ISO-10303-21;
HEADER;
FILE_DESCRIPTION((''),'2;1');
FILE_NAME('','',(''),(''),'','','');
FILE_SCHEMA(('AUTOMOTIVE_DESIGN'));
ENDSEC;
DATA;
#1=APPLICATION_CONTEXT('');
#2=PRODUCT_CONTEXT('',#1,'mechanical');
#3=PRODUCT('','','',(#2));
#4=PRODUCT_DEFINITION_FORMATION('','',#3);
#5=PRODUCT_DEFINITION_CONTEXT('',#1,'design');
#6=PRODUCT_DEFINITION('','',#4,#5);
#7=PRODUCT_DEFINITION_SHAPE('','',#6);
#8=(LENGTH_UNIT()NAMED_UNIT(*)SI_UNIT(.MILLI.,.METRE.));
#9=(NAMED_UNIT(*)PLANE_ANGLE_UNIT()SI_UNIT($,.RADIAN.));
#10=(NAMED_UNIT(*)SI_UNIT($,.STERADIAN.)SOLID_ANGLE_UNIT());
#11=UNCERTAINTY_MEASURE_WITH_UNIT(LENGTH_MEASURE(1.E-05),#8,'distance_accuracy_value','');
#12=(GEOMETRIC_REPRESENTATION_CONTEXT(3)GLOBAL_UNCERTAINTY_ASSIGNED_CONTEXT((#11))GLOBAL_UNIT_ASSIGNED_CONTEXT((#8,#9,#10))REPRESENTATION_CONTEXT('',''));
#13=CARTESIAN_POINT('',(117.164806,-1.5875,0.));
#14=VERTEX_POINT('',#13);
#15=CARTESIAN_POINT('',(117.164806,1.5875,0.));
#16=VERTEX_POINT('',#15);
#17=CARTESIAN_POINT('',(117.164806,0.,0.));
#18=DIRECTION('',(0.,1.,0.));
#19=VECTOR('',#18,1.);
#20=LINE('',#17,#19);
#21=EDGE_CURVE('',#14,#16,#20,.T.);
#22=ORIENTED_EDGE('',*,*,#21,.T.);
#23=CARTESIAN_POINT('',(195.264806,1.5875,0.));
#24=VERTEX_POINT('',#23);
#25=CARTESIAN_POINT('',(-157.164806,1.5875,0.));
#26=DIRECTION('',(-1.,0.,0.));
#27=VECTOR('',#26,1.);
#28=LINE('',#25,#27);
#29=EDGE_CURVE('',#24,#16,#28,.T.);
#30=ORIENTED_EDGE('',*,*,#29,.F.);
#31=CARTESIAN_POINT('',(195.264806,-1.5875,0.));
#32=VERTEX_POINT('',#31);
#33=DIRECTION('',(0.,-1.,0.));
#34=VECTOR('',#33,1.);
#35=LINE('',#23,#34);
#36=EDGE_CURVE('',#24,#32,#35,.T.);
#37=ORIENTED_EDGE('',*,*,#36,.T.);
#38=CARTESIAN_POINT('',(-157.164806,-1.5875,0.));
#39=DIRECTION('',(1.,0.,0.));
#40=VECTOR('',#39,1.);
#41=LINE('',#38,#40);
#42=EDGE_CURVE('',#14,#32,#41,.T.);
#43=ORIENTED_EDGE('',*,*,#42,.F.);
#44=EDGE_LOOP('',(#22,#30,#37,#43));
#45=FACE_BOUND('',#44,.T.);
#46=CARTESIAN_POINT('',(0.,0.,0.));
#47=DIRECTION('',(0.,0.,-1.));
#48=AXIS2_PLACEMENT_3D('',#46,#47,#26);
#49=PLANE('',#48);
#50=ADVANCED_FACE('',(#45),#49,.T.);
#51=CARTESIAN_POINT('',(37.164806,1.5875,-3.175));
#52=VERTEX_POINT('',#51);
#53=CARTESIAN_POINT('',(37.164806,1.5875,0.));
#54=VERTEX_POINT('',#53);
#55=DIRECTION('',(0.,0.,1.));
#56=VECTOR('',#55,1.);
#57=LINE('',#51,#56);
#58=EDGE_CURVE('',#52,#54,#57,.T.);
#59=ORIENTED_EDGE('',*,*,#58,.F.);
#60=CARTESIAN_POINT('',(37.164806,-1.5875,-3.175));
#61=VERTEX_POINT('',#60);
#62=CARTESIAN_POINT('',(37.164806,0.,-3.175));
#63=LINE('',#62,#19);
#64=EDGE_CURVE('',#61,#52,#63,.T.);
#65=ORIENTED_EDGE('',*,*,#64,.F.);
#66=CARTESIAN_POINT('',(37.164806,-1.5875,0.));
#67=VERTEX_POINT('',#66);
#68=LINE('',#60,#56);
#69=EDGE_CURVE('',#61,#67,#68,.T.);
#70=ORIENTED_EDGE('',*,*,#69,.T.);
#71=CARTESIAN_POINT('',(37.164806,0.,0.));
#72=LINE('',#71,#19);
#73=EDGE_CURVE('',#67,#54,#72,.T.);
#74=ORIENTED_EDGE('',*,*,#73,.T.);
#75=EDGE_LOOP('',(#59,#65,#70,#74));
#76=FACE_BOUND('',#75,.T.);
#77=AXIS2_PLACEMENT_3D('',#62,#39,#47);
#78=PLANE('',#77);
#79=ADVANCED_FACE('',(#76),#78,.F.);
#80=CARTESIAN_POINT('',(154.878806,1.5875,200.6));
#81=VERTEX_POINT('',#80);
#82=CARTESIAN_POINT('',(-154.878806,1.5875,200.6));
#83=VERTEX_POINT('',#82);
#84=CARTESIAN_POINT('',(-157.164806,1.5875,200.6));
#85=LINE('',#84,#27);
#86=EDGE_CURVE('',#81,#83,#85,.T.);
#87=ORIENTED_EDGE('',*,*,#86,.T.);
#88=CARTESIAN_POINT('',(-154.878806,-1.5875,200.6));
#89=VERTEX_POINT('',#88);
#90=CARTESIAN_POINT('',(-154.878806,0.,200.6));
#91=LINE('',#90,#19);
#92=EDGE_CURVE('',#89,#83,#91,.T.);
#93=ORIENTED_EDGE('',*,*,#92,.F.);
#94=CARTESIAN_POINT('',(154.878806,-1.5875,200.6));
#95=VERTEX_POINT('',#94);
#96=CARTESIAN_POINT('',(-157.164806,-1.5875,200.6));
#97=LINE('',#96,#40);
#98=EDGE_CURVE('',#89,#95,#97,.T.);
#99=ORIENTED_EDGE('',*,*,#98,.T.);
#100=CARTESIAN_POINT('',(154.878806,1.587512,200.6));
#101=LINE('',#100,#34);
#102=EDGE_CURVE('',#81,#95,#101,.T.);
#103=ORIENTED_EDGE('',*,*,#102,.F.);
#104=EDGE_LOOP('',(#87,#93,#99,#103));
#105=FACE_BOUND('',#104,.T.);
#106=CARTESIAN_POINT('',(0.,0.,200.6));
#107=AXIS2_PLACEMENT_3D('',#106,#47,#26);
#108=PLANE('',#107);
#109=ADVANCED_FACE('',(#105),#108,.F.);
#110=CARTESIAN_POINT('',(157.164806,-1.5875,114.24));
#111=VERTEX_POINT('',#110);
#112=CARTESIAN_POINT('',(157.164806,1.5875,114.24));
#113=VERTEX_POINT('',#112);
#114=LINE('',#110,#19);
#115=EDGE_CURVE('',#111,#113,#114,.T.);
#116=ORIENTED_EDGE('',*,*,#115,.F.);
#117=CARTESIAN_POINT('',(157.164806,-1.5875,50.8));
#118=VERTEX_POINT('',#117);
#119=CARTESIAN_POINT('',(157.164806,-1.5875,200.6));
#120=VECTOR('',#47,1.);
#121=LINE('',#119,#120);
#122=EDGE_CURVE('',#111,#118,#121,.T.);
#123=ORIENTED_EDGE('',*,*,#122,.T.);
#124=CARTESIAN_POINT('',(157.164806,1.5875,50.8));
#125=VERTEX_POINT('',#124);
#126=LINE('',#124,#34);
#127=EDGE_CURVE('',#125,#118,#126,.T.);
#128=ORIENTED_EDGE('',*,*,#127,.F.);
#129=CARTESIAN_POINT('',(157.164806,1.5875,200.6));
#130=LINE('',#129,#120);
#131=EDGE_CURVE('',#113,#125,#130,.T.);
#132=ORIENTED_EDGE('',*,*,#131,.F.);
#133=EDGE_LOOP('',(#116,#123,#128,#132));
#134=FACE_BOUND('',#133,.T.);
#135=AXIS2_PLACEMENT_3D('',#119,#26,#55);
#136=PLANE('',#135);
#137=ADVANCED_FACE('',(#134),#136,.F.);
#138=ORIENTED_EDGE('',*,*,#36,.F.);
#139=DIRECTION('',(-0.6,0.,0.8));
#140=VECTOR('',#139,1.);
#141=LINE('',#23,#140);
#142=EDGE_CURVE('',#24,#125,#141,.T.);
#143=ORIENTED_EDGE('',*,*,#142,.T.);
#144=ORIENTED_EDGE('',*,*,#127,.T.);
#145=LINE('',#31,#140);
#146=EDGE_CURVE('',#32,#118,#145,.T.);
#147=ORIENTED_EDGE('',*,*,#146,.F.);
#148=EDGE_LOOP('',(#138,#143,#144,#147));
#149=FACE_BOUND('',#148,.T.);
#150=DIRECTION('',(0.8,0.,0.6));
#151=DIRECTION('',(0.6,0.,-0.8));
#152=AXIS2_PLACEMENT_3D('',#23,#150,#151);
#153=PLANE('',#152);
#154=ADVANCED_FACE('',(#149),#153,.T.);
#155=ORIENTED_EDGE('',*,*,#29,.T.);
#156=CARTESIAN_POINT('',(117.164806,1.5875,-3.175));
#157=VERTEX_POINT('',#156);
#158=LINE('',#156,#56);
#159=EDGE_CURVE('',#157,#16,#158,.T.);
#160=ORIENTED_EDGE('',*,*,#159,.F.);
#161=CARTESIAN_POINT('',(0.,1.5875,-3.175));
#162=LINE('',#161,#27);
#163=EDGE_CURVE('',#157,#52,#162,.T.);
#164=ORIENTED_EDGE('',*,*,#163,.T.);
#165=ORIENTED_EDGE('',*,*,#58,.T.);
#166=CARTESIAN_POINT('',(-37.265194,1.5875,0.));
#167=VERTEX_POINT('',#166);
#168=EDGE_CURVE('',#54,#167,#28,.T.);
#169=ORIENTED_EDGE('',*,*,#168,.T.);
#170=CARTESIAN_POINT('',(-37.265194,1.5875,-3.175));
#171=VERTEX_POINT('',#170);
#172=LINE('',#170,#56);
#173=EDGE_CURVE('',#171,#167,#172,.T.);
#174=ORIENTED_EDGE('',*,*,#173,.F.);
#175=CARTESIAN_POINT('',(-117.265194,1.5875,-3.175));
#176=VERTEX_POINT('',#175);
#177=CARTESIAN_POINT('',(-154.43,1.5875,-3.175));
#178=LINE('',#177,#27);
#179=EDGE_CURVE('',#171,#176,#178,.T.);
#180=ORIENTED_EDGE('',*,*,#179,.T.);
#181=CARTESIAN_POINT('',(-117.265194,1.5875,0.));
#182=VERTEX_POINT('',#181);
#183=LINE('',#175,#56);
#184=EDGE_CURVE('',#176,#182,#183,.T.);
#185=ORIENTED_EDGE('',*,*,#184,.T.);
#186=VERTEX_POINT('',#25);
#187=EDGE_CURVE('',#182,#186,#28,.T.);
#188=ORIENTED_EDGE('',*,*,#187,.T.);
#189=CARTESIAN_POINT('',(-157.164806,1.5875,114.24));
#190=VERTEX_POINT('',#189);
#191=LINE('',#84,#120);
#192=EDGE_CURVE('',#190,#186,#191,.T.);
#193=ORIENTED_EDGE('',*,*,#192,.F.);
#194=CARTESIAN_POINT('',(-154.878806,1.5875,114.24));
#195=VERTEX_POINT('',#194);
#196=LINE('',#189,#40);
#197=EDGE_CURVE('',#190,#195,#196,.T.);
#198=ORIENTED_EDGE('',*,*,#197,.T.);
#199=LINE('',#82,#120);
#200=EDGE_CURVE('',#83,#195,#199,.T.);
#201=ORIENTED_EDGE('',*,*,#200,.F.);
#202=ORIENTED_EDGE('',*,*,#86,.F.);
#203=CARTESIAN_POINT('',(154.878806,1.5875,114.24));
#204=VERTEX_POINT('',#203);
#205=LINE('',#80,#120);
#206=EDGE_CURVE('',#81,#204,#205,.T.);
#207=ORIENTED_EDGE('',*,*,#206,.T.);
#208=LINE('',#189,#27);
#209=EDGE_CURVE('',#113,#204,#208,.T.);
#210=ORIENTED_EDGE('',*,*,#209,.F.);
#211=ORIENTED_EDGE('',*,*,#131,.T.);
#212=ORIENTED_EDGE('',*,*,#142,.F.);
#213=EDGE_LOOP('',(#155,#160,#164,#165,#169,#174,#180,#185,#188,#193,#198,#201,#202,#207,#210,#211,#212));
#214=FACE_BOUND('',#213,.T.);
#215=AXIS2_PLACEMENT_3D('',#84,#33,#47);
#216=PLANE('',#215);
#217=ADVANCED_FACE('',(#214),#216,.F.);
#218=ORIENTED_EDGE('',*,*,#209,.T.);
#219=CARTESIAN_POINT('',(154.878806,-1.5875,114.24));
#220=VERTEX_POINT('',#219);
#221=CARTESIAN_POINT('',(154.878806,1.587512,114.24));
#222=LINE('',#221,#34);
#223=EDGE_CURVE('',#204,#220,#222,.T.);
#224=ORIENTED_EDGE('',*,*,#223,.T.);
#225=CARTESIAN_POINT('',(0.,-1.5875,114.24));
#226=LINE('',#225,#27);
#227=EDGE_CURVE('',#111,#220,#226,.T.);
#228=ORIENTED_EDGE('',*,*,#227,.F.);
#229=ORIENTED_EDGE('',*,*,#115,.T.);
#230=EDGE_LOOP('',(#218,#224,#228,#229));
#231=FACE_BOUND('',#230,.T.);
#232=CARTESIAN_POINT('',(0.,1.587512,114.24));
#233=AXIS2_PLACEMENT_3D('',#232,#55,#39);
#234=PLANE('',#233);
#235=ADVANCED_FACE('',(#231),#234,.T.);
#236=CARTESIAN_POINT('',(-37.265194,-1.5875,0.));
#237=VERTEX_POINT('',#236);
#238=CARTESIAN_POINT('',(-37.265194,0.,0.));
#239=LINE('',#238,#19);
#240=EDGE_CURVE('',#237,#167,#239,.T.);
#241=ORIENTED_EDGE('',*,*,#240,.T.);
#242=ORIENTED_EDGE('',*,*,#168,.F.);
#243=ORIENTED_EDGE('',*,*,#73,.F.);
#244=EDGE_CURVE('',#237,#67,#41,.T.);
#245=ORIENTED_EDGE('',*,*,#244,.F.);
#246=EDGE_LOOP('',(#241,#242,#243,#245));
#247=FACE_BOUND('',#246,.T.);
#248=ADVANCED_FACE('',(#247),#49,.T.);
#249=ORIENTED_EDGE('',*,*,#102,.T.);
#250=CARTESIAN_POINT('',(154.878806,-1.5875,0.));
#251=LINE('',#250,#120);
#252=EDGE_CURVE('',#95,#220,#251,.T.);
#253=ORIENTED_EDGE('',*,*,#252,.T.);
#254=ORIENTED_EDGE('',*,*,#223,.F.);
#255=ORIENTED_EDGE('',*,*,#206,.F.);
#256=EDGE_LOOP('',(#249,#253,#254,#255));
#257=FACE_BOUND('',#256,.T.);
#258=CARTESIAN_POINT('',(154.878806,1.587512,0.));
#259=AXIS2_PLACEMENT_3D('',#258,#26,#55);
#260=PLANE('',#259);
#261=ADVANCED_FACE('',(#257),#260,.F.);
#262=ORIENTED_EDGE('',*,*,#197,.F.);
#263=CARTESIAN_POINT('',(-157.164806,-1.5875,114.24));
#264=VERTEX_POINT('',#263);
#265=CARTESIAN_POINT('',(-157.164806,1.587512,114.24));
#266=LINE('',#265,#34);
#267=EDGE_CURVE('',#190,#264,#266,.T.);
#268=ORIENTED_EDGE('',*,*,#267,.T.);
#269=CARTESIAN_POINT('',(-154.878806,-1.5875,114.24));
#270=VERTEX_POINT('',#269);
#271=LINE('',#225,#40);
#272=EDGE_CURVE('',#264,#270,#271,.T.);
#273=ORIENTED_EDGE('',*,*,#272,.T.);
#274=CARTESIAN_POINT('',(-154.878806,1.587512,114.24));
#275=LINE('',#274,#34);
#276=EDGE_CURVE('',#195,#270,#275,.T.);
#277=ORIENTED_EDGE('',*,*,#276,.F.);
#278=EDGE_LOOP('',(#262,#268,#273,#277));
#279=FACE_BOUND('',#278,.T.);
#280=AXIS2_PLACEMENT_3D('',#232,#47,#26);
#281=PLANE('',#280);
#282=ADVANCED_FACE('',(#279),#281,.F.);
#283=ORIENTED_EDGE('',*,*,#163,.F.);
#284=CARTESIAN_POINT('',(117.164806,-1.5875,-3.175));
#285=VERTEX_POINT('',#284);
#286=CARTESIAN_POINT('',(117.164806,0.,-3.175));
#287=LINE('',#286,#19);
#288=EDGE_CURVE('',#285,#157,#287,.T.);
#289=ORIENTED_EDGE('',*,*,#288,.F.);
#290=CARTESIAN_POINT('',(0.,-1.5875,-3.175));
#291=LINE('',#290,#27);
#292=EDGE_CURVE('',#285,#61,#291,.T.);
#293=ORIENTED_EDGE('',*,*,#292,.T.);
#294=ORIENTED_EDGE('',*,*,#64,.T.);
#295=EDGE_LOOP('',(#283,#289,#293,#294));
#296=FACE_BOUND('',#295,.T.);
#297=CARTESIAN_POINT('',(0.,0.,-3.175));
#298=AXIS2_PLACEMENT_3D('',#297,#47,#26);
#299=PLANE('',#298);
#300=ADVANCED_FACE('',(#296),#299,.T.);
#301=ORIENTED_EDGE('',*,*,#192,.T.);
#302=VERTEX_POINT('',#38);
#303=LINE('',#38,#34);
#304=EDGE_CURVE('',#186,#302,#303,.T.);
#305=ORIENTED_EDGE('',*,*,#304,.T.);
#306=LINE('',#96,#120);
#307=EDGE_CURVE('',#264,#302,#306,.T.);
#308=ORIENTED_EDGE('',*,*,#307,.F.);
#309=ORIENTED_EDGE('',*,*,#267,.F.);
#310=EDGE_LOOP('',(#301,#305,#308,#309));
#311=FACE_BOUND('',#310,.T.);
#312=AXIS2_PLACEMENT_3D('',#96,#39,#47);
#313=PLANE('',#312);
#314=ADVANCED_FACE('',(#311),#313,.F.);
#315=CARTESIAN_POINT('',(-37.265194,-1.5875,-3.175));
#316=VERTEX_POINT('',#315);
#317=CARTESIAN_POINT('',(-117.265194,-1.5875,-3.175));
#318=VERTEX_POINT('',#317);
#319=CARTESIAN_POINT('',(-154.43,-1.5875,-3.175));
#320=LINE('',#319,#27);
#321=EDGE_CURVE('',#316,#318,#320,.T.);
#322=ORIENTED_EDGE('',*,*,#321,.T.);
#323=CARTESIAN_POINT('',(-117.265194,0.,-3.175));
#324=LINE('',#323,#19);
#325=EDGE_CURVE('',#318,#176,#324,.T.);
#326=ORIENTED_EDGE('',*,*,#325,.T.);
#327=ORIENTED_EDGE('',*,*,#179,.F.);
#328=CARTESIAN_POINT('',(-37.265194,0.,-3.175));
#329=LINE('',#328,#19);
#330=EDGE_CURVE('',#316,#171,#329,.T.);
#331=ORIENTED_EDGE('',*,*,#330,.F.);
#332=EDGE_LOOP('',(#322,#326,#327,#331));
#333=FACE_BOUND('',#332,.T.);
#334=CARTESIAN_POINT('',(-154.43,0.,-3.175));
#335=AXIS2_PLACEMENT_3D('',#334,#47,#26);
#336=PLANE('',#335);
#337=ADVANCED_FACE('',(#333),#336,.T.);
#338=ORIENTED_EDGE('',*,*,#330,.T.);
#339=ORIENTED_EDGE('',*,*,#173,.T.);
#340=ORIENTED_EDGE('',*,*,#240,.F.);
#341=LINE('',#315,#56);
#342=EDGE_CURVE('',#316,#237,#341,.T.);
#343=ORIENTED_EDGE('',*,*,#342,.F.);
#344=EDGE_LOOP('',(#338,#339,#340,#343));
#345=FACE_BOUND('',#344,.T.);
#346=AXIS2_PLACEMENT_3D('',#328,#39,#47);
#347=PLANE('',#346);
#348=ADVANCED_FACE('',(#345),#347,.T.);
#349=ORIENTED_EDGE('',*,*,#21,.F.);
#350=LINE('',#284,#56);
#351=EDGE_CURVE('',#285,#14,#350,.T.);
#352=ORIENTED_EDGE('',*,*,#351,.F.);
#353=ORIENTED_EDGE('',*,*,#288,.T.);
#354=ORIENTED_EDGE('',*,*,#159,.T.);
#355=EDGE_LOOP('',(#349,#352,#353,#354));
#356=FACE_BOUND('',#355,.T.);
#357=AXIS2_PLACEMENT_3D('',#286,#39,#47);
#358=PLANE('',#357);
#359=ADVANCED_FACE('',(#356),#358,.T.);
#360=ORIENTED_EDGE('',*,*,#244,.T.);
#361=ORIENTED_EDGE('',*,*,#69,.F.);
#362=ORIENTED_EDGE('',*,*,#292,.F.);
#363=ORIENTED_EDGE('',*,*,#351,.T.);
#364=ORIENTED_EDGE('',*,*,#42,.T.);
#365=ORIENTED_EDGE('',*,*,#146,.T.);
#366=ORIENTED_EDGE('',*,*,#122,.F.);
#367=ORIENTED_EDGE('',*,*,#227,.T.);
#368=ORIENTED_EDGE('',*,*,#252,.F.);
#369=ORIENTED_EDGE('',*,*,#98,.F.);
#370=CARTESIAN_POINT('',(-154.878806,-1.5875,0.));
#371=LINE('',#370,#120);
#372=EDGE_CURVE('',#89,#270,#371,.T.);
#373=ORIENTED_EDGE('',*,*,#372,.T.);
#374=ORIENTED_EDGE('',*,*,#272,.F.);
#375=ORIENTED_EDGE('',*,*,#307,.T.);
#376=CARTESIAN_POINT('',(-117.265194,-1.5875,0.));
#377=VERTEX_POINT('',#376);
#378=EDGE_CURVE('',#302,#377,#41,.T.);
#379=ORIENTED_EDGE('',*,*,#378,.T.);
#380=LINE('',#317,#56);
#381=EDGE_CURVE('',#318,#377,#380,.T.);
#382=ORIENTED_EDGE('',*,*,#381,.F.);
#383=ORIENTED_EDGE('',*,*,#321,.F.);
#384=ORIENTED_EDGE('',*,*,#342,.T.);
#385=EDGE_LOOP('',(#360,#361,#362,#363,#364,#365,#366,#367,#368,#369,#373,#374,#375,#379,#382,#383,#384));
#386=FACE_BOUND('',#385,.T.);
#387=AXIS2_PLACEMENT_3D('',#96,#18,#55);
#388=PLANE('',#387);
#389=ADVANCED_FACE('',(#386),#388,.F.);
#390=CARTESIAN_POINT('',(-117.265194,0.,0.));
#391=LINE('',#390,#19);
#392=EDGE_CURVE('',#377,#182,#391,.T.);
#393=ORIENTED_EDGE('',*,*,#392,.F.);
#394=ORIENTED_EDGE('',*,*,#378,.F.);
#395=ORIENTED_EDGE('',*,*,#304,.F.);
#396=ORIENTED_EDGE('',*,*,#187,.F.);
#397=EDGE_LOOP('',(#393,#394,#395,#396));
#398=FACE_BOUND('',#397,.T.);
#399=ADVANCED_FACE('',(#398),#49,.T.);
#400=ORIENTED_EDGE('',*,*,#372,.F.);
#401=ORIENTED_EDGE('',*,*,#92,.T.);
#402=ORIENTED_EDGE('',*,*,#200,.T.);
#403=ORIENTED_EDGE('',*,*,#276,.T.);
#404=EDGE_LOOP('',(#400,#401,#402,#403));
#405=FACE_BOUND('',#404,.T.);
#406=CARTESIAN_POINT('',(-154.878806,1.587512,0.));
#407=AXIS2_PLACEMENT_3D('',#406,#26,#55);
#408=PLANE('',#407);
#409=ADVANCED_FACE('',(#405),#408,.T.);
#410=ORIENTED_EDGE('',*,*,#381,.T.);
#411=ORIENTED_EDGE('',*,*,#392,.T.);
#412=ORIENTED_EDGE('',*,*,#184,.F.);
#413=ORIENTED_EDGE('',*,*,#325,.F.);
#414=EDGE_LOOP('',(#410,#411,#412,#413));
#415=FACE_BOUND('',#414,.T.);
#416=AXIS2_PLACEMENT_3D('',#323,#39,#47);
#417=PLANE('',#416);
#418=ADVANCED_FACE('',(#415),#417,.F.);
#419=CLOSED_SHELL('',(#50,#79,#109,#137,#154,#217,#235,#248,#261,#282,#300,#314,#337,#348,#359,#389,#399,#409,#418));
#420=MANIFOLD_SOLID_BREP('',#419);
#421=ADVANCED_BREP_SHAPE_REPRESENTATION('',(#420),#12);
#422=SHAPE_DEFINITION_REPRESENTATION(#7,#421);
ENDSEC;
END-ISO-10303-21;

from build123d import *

# Parameters (mm, degrees)
SKETCH1_W           = 314.32961264
SKETCH1_H           = 3.175
BOSS_EXTRUDE1_DEPTH = 200.60000012
CUT_EXTRUDE2_START  = -3.175
SKETCH5_W           = 2.286
SKETCH5_H           = 86.36
CUT_EXTRUDE2_DEPTH  = 259.030286425
SKETCH3_W           = 80
SKETCH3_H           = 3.175
BOSS_EXTRUDE2_DEPTH = 3.175
LPATTERN2_COUNT     = 2
LPATTERN2_PITCH     = 154.43
BOSS_EXTRUDE3_DEPTH = 3.175


with BuildPart() as part:
    # Sketch1 → Boss-Extrude1 (new body)
    with BuildSketch(Plane.XY):
        Rectangle(SKETCH1_W, SKETCH1_H)
    extrude(amount=BOSS_EXTRUDE1_DEPTH)

    # Sketch5 → Cut-Extrude2 (cut)
    with BuildSketch(Plane(origin=(0, 1.5875, 0), x_dir=(1, 0, 0), z_dir=(0, 1, 0)).offset(CUT_EXTRUDE2_START)):
        with Locations((-156.02180632, -157.42000012)):
            Rectangle(SKETCH5_W, SKETCH5_H)
    cut_extrude2 = extrude(amount=CUT_EXTRUDE2_DEPTH, mode=Mode.SUBTRACT)

    # Mirror1: Cut-Extrude2 across plane
    add(cut_extrude2.mirror(Plane(origin=(0, 0, 0), x_dir=(0, 0, 1), z_dir=(1, 0, 0))), mode=Mode.SUBTRACT)

    # Sketch3 → Boss-Extrude2 (add)
    with BuildSketch(Plane(origin=(0, 0, 0), x_dir=(-1, 0, 0), z_dir=(0, 0, -1))):
        with Locations((-77.16480632, 0)):
            Rectangle(SKETCH3_W, SKETCH3_H)
    boss_extrude2 = extrude(amount=BOSS_EXTRUDE2_DEPTH)

    # LPattern2: Boss-Extrude2 ×2
    with Locations(*[(-i * LPATTERN2_PITCH, 0, 0) for i in range(1, LPATTERN2_COUNT)]):
        add(boss_extrude2)

    # Sketch10 → Boss-Extrude3 (add)
    with BuildSketch(Plane.XZ.offset(1.5875)):
        Polygon((157.16480632, 0), (195.26480632, 0), (157.16480632, 50.8), align=None)
    extrude(amount=-BOSS_EXTRUDE3_DEPTH)


solid = part.part
